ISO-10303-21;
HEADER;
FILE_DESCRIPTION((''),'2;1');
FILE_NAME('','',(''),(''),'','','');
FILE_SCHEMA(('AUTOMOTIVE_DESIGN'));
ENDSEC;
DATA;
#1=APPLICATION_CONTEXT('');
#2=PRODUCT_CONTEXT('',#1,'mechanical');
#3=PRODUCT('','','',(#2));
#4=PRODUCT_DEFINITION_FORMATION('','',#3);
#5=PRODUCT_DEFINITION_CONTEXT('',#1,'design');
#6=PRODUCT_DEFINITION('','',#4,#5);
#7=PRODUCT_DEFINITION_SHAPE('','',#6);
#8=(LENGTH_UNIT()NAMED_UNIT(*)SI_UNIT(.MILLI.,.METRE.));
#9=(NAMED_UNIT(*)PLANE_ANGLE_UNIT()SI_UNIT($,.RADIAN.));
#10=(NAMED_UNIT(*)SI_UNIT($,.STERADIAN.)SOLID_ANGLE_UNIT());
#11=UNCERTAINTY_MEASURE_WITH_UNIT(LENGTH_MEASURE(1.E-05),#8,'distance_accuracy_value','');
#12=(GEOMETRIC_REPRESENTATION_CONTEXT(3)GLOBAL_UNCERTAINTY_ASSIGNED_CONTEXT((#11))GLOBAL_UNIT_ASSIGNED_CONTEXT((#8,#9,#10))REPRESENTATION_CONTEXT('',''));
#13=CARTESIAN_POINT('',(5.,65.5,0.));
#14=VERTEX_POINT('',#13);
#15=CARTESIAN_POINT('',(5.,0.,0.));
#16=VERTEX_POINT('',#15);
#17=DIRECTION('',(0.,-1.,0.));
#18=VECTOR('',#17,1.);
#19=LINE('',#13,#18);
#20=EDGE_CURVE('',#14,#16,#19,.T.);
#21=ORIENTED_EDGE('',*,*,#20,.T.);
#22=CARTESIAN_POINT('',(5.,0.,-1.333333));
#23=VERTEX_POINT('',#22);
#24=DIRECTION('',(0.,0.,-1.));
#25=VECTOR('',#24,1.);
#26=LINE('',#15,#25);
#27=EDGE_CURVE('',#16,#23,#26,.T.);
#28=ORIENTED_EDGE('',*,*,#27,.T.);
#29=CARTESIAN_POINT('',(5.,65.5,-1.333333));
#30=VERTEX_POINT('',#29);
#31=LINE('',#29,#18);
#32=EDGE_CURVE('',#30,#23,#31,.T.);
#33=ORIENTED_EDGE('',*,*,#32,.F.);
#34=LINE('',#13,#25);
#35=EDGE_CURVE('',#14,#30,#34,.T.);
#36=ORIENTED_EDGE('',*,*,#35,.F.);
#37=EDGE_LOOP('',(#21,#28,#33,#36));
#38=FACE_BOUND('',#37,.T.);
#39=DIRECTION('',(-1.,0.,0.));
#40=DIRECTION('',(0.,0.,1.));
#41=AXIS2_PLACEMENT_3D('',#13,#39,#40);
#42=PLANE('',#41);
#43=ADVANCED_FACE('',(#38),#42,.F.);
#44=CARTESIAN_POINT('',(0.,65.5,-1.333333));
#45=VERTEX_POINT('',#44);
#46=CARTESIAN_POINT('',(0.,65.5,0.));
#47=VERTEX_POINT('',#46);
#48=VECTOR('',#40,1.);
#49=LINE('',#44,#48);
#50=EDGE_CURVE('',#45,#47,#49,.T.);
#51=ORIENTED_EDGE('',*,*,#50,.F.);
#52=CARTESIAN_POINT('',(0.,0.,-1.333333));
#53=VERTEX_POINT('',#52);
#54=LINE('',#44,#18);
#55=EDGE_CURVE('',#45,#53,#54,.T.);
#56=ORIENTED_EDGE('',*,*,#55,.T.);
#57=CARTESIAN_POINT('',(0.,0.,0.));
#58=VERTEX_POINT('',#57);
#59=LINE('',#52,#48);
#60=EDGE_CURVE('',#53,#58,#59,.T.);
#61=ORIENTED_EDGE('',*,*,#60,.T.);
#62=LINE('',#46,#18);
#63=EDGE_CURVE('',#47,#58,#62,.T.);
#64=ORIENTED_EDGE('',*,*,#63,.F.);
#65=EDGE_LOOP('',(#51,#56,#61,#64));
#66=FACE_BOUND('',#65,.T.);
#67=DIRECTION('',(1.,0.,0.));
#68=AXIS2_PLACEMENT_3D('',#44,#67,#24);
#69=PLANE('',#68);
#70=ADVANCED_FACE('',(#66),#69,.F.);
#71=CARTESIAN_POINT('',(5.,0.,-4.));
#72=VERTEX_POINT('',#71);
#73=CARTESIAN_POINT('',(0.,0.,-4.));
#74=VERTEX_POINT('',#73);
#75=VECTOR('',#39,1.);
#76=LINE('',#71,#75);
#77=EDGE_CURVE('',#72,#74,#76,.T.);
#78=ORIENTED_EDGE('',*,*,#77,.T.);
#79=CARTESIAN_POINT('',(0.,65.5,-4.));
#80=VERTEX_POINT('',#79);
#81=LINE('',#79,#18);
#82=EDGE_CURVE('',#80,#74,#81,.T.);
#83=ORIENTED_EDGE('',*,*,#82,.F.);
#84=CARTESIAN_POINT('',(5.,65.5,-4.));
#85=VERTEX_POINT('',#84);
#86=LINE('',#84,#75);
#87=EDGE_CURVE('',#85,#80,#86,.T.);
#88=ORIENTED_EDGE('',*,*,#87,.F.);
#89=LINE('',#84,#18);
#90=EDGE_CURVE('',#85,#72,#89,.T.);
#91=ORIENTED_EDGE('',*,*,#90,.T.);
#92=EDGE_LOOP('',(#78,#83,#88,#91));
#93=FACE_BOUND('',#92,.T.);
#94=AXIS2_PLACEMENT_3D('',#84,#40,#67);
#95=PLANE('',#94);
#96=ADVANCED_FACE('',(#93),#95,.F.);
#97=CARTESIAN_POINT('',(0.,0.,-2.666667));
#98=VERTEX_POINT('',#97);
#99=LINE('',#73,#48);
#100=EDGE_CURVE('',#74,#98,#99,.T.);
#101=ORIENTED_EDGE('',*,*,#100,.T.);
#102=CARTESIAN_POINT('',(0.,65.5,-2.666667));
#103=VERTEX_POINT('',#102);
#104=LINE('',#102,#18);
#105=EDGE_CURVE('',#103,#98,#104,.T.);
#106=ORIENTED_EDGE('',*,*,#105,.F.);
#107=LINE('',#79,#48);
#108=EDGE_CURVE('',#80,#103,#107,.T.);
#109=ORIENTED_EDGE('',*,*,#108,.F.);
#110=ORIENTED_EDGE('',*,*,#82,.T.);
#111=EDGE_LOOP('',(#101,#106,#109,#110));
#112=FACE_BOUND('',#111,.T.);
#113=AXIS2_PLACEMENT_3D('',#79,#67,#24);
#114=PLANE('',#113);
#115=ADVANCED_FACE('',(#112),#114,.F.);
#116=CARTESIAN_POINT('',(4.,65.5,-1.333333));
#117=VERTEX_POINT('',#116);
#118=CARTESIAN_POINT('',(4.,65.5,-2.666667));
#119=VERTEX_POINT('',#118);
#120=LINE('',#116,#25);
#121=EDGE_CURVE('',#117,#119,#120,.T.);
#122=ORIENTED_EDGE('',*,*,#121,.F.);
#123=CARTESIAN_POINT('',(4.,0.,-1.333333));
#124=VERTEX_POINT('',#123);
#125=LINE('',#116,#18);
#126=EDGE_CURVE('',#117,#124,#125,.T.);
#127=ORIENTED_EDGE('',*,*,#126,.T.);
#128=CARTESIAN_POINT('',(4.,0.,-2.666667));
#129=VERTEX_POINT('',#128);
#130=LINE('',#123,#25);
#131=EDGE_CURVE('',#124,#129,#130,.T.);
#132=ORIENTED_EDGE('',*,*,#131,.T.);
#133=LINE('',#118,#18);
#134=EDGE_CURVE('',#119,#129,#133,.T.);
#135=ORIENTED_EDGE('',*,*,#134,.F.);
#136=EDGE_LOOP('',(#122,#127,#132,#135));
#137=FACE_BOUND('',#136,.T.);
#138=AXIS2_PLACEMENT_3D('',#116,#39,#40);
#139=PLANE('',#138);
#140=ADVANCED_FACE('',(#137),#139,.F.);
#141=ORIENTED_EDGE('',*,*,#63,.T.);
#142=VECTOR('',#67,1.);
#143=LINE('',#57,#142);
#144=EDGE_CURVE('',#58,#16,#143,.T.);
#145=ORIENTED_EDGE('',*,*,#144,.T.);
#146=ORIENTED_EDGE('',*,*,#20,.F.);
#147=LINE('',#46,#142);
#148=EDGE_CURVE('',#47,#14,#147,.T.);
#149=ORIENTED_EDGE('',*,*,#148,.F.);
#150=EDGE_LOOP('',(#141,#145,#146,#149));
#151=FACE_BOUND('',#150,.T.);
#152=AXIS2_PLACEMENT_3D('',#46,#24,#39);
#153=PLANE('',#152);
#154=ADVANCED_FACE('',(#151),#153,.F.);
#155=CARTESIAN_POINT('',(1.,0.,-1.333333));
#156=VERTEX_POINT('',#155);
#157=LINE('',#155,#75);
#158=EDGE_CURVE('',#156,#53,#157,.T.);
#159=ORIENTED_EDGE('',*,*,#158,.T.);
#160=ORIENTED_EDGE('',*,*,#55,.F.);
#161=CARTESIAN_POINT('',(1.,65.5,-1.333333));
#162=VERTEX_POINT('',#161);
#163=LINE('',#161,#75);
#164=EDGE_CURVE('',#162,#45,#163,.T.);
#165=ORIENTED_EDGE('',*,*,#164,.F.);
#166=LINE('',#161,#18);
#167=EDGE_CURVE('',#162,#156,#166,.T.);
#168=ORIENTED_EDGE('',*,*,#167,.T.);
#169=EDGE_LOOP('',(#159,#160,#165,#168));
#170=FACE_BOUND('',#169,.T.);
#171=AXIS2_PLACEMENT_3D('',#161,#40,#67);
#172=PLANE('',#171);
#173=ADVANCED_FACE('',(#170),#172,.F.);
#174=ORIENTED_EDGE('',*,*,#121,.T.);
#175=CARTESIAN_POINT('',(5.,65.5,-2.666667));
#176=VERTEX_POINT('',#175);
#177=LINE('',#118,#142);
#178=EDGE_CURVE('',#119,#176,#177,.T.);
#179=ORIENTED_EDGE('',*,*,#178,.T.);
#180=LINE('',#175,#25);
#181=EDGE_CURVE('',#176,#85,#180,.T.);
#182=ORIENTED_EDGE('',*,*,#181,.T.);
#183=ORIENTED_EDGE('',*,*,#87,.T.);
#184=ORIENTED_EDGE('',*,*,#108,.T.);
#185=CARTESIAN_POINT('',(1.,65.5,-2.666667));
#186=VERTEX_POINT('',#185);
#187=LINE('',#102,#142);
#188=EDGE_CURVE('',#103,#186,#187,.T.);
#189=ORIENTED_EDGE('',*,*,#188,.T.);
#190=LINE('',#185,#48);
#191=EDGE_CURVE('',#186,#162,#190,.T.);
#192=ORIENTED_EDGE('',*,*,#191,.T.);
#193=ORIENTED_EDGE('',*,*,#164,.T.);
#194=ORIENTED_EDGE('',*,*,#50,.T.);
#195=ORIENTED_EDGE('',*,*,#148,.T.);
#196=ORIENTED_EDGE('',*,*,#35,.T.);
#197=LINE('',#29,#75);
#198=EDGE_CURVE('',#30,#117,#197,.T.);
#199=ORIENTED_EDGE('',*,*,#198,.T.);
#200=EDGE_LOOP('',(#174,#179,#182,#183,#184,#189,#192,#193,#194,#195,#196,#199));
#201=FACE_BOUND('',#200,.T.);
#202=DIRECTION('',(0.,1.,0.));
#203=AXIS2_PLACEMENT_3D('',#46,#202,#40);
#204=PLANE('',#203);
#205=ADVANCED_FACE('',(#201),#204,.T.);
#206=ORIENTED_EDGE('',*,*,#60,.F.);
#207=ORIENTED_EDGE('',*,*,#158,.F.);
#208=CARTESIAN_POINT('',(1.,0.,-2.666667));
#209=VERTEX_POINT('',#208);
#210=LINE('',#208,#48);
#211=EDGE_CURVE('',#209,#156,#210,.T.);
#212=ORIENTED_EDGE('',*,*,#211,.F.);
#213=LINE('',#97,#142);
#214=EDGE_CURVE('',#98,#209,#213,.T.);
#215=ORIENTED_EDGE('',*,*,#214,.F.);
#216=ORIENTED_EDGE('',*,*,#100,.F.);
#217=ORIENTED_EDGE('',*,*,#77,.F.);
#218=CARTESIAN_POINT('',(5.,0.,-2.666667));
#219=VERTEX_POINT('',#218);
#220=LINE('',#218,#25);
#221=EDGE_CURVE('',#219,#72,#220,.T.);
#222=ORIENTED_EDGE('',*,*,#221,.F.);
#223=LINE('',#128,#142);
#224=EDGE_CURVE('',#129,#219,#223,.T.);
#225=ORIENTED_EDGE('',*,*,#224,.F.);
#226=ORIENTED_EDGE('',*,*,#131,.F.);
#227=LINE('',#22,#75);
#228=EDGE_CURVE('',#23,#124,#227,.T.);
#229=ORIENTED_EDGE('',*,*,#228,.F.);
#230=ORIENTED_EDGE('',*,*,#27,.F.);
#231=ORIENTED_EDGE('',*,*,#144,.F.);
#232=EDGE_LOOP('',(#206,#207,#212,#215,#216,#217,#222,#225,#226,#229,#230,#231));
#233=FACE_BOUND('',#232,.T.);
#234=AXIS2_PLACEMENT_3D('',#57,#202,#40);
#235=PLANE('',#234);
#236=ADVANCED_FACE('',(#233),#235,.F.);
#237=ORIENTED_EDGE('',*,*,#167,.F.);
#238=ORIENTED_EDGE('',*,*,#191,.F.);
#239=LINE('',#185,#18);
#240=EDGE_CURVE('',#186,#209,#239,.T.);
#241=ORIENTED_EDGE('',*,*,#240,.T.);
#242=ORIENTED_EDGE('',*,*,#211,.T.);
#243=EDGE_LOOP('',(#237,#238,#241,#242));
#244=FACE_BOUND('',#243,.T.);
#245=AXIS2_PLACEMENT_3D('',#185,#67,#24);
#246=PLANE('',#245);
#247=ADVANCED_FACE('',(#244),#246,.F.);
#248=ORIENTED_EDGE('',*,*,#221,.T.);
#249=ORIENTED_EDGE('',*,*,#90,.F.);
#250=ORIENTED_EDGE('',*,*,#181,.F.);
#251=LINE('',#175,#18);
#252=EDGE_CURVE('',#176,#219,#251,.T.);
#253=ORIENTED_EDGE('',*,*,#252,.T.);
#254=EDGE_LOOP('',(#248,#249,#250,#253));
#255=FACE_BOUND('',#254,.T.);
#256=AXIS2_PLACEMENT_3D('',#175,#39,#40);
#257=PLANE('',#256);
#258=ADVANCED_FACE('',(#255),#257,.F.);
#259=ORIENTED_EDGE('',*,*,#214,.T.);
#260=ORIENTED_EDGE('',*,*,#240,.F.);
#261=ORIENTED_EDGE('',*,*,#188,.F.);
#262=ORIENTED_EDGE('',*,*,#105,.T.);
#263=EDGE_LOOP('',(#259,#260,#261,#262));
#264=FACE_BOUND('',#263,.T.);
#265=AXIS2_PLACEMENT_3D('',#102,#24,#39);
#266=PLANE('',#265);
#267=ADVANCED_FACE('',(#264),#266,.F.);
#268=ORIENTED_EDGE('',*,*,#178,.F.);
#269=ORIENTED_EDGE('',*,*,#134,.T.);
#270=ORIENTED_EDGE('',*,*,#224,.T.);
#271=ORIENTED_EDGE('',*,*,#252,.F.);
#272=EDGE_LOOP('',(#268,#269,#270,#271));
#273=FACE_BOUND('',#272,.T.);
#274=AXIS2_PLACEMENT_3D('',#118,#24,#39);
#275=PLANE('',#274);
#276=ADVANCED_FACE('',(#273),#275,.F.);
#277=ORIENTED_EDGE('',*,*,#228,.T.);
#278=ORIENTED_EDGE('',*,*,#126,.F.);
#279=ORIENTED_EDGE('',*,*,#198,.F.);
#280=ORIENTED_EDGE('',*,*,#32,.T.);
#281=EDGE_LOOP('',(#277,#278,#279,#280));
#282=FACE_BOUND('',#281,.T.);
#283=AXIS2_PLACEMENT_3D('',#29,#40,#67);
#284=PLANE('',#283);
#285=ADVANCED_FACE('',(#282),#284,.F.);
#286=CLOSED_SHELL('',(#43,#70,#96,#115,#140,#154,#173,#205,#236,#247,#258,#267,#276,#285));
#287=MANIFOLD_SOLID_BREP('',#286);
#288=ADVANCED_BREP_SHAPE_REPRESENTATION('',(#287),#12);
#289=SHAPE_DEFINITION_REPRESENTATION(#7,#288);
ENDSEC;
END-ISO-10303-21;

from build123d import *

# Parameters (mm, degrees)
BOSS_EXTRUDE1_DEPTH = 65.5


with BuildPart() as part:
    # Sketch1 → Boss-Extrude1 (new body)
    with BuildSketch(Plane(origin=(0, 0, 0), x_dir=(1, 0, 0), z_dir=(0, 1, 0))):
        Polygon((0, 0), (5, 0), (5, 1.333333333), (4, 1.333333333), (4, 2.666666667), (5, 2.666666667), (5, 4), (0, 4), (0, 2.666666667), (1, 2.666666667), (1, 1.333333333), (0, 1.333333333), align=None)
    extrude(amount=BOSS_EXTRUDE1_DEPTH)


solid = part.part
